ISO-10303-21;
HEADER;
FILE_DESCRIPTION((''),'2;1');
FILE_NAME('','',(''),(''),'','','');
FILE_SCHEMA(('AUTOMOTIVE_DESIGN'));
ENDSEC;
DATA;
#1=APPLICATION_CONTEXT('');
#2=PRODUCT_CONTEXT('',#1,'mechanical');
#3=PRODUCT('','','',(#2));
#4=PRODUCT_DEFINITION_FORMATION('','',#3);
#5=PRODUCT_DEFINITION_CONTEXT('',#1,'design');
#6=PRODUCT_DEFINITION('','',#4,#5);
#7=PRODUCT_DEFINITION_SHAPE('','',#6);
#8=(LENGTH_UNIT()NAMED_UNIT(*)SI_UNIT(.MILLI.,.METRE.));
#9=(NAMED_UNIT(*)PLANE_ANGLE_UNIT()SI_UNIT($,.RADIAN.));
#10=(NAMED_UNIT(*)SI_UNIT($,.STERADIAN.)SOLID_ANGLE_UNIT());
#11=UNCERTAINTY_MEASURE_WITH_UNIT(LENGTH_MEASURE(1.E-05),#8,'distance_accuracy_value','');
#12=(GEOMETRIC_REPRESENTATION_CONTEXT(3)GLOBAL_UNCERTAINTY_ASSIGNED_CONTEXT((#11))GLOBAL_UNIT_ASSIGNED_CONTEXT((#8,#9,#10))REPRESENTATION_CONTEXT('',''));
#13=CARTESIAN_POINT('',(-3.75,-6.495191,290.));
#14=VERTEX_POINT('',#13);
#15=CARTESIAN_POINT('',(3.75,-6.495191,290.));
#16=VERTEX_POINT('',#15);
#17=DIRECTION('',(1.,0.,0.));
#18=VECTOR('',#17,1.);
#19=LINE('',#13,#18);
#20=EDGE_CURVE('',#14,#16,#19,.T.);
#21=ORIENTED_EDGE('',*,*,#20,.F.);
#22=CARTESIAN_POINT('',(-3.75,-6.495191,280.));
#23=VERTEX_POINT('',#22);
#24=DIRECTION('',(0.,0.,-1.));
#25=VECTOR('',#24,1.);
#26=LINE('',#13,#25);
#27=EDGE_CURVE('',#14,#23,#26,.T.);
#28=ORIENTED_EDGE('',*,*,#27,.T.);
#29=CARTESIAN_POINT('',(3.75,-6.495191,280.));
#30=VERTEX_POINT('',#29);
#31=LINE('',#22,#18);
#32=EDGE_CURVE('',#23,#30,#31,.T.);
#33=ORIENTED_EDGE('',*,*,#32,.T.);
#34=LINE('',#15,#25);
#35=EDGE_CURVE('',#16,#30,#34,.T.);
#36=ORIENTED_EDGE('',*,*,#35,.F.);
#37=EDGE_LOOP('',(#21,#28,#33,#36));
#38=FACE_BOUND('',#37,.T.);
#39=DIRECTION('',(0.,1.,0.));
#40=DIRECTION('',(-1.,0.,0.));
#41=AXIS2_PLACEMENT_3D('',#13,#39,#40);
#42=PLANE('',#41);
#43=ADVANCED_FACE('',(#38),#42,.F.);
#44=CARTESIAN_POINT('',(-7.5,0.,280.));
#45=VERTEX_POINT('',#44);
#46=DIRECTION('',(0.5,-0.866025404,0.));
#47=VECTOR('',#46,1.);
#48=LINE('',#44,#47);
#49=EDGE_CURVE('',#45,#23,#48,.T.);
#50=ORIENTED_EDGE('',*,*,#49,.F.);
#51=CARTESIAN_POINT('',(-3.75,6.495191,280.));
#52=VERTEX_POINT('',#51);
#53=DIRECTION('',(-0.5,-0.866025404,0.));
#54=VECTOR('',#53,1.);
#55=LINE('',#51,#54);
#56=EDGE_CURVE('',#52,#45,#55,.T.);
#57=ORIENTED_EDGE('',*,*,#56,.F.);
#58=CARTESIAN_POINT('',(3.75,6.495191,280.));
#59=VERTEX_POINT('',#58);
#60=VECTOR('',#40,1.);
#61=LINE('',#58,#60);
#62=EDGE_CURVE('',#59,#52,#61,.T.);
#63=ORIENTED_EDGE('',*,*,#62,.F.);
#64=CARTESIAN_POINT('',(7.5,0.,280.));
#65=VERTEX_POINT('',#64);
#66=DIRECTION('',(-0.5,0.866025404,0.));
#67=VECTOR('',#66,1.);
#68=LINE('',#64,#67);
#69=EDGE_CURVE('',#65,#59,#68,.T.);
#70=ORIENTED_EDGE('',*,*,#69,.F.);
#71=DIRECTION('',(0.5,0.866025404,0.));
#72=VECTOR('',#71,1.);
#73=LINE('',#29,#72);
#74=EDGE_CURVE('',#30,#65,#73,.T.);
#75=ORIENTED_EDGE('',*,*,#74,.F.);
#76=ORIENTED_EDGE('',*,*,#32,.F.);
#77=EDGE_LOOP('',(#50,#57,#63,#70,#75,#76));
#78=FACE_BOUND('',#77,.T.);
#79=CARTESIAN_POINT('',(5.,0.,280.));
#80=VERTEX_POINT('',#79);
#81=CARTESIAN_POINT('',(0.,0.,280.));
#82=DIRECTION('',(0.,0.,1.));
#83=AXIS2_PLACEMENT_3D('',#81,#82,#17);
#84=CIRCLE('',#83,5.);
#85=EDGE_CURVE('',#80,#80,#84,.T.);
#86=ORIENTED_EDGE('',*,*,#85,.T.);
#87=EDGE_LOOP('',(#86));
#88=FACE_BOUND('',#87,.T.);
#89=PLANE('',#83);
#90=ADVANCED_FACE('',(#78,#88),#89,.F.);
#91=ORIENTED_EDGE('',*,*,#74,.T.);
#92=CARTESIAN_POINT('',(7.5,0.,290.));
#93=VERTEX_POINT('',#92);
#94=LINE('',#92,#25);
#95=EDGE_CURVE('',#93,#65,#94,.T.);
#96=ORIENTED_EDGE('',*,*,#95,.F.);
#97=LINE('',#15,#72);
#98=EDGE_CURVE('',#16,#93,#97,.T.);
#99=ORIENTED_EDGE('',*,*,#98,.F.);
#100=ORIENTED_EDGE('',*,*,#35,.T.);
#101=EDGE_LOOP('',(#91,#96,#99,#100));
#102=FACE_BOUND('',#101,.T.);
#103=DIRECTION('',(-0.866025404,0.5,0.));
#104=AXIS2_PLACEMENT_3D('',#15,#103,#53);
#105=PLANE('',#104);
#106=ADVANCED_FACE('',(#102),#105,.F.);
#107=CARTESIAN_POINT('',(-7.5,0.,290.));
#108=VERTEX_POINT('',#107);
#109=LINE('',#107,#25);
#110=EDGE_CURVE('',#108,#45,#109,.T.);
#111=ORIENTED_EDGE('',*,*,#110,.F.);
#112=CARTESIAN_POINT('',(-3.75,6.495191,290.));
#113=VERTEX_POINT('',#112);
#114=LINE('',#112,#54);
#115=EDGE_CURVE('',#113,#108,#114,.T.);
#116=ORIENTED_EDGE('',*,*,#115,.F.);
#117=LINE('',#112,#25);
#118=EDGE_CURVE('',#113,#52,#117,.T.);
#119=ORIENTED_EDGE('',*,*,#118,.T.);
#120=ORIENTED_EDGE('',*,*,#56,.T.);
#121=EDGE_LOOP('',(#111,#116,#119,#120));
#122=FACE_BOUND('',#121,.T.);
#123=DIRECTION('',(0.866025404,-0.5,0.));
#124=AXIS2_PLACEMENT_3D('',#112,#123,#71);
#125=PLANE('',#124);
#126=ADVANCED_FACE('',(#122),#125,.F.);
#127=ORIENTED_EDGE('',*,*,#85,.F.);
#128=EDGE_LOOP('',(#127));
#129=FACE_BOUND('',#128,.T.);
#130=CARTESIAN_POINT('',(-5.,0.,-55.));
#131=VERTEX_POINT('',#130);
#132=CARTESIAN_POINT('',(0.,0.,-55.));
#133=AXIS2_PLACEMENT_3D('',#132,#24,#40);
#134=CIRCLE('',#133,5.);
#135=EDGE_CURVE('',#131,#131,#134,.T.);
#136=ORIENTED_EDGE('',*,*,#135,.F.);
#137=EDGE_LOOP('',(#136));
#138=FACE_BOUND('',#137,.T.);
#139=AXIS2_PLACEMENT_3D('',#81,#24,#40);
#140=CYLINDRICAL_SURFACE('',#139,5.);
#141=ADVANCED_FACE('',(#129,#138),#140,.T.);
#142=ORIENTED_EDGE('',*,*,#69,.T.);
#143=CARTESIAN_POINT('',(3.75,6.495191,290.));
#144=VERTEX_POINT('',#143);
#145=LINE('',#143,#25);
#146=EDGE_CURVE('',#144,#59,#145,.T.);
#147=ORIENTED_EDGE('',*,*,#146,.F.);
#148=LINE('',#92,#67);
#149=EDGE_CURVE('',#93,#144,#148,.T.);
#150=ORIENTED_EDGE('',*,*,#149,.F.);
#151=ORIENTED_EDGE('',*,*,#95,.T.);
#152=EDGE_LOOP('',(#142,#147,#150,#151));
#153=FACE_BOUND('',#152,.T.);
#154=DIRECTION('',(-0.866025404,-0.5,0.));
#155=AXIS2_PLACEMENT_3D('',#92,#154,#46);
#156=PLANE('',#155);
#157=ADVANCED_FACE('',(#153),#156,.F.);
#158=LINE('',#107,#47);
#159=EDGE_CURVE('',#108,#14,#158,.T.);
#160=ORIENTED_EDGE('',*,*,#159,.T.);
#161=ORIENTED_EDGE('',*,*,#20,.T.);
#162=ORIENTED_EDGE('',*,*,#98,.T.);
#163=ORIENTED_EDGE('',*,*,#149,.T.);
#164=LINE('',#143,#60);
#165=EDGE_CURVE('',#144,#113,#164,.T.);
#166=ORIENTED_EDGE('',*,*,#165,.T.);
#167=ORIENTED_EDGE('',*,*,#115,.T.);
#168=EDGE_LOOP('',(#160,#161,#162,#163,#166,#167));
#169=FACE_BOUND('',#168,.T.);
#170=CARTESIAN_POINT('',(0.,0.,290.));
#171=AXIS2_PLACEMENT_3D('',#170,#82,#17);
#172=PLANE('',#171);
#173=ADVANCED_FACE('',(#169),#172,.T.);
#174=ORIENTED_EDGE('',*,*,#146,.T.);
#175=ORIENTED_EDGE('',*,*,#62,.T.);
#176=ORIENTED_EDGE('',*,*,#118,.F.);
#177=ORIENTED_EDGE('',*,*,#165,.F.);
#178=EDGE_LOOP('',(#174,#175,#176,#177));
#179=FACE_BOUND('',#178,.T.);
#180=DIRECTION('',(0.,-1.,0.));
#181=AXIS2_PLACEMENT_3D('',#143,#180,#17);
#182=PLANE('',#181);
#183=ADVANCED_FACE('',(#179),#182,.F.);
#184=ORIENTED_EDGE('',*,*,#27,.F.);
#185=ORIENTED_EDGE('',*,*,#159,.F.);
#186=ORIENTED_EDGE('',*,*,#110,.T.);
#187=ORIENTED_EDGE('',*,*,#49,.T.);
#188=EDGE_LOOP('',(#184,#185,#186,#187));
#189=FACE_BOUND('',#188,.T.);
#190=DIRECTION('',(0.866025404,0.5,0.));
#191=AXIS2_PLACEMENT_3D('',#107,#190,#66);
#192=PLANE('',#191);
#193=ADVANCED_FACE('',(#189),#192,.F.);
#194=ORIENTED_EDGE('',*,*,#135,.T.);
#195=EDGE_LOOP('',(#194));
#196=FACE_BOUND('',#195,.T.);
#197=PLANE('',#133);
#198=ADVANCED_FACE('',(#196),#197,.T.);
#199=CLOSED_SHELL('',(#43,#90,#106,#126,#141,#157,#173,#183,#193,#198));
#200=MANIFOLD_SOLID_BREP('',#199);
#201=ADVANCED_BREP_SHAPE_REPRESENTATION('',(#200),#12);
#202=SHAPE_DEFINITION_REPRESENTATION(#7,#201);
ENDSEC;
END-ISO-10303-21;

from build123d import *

# Parameters (mm, degrees)
SKETCH_1_R      = 5
EXTRUDE_1_DEPTH = 280
EXTRUDE_2_DEPTH = 10
EXTRUDE_START   = 55
SKETCH_3_R      = 5
EXTRUDE_3_DEPTH = 55


with BuildPart() as part:
    # 草图1 → 凸台-拉伸1 (new body)
    with BuildSketch(Plane.XY):
        Circle(SKETCH_1_R)
    extrude(amount=EXTRUDE_1_DEPTH)

    # 草图2 → 凸台-拉伸2 (add)
    with BuildSketch(Plane.XY.offset(280)):
        Polygon((3.75, -6.495190528), (7.5, 0), (3.75, 6.495190528), (-3.75, 6.495190528), (-7.5, 0), (-3.75, -6.495190528), align=None)
    extrude(amount=EXTRUDE_2_DEPTH)

    # 草图3 → 凸台-拉伸3 (add)
    with BuildSketch(Plane(origin=(0, 0, 0), x_dir=(-1, 0, 0), z_dir=(0, 0, -1)).offset(EXTRUDE_START)):
        Circle(SKETCH_3_R)
    extrude(amount=-EXTRUDE_3_DEPTH)


solid = part.part
